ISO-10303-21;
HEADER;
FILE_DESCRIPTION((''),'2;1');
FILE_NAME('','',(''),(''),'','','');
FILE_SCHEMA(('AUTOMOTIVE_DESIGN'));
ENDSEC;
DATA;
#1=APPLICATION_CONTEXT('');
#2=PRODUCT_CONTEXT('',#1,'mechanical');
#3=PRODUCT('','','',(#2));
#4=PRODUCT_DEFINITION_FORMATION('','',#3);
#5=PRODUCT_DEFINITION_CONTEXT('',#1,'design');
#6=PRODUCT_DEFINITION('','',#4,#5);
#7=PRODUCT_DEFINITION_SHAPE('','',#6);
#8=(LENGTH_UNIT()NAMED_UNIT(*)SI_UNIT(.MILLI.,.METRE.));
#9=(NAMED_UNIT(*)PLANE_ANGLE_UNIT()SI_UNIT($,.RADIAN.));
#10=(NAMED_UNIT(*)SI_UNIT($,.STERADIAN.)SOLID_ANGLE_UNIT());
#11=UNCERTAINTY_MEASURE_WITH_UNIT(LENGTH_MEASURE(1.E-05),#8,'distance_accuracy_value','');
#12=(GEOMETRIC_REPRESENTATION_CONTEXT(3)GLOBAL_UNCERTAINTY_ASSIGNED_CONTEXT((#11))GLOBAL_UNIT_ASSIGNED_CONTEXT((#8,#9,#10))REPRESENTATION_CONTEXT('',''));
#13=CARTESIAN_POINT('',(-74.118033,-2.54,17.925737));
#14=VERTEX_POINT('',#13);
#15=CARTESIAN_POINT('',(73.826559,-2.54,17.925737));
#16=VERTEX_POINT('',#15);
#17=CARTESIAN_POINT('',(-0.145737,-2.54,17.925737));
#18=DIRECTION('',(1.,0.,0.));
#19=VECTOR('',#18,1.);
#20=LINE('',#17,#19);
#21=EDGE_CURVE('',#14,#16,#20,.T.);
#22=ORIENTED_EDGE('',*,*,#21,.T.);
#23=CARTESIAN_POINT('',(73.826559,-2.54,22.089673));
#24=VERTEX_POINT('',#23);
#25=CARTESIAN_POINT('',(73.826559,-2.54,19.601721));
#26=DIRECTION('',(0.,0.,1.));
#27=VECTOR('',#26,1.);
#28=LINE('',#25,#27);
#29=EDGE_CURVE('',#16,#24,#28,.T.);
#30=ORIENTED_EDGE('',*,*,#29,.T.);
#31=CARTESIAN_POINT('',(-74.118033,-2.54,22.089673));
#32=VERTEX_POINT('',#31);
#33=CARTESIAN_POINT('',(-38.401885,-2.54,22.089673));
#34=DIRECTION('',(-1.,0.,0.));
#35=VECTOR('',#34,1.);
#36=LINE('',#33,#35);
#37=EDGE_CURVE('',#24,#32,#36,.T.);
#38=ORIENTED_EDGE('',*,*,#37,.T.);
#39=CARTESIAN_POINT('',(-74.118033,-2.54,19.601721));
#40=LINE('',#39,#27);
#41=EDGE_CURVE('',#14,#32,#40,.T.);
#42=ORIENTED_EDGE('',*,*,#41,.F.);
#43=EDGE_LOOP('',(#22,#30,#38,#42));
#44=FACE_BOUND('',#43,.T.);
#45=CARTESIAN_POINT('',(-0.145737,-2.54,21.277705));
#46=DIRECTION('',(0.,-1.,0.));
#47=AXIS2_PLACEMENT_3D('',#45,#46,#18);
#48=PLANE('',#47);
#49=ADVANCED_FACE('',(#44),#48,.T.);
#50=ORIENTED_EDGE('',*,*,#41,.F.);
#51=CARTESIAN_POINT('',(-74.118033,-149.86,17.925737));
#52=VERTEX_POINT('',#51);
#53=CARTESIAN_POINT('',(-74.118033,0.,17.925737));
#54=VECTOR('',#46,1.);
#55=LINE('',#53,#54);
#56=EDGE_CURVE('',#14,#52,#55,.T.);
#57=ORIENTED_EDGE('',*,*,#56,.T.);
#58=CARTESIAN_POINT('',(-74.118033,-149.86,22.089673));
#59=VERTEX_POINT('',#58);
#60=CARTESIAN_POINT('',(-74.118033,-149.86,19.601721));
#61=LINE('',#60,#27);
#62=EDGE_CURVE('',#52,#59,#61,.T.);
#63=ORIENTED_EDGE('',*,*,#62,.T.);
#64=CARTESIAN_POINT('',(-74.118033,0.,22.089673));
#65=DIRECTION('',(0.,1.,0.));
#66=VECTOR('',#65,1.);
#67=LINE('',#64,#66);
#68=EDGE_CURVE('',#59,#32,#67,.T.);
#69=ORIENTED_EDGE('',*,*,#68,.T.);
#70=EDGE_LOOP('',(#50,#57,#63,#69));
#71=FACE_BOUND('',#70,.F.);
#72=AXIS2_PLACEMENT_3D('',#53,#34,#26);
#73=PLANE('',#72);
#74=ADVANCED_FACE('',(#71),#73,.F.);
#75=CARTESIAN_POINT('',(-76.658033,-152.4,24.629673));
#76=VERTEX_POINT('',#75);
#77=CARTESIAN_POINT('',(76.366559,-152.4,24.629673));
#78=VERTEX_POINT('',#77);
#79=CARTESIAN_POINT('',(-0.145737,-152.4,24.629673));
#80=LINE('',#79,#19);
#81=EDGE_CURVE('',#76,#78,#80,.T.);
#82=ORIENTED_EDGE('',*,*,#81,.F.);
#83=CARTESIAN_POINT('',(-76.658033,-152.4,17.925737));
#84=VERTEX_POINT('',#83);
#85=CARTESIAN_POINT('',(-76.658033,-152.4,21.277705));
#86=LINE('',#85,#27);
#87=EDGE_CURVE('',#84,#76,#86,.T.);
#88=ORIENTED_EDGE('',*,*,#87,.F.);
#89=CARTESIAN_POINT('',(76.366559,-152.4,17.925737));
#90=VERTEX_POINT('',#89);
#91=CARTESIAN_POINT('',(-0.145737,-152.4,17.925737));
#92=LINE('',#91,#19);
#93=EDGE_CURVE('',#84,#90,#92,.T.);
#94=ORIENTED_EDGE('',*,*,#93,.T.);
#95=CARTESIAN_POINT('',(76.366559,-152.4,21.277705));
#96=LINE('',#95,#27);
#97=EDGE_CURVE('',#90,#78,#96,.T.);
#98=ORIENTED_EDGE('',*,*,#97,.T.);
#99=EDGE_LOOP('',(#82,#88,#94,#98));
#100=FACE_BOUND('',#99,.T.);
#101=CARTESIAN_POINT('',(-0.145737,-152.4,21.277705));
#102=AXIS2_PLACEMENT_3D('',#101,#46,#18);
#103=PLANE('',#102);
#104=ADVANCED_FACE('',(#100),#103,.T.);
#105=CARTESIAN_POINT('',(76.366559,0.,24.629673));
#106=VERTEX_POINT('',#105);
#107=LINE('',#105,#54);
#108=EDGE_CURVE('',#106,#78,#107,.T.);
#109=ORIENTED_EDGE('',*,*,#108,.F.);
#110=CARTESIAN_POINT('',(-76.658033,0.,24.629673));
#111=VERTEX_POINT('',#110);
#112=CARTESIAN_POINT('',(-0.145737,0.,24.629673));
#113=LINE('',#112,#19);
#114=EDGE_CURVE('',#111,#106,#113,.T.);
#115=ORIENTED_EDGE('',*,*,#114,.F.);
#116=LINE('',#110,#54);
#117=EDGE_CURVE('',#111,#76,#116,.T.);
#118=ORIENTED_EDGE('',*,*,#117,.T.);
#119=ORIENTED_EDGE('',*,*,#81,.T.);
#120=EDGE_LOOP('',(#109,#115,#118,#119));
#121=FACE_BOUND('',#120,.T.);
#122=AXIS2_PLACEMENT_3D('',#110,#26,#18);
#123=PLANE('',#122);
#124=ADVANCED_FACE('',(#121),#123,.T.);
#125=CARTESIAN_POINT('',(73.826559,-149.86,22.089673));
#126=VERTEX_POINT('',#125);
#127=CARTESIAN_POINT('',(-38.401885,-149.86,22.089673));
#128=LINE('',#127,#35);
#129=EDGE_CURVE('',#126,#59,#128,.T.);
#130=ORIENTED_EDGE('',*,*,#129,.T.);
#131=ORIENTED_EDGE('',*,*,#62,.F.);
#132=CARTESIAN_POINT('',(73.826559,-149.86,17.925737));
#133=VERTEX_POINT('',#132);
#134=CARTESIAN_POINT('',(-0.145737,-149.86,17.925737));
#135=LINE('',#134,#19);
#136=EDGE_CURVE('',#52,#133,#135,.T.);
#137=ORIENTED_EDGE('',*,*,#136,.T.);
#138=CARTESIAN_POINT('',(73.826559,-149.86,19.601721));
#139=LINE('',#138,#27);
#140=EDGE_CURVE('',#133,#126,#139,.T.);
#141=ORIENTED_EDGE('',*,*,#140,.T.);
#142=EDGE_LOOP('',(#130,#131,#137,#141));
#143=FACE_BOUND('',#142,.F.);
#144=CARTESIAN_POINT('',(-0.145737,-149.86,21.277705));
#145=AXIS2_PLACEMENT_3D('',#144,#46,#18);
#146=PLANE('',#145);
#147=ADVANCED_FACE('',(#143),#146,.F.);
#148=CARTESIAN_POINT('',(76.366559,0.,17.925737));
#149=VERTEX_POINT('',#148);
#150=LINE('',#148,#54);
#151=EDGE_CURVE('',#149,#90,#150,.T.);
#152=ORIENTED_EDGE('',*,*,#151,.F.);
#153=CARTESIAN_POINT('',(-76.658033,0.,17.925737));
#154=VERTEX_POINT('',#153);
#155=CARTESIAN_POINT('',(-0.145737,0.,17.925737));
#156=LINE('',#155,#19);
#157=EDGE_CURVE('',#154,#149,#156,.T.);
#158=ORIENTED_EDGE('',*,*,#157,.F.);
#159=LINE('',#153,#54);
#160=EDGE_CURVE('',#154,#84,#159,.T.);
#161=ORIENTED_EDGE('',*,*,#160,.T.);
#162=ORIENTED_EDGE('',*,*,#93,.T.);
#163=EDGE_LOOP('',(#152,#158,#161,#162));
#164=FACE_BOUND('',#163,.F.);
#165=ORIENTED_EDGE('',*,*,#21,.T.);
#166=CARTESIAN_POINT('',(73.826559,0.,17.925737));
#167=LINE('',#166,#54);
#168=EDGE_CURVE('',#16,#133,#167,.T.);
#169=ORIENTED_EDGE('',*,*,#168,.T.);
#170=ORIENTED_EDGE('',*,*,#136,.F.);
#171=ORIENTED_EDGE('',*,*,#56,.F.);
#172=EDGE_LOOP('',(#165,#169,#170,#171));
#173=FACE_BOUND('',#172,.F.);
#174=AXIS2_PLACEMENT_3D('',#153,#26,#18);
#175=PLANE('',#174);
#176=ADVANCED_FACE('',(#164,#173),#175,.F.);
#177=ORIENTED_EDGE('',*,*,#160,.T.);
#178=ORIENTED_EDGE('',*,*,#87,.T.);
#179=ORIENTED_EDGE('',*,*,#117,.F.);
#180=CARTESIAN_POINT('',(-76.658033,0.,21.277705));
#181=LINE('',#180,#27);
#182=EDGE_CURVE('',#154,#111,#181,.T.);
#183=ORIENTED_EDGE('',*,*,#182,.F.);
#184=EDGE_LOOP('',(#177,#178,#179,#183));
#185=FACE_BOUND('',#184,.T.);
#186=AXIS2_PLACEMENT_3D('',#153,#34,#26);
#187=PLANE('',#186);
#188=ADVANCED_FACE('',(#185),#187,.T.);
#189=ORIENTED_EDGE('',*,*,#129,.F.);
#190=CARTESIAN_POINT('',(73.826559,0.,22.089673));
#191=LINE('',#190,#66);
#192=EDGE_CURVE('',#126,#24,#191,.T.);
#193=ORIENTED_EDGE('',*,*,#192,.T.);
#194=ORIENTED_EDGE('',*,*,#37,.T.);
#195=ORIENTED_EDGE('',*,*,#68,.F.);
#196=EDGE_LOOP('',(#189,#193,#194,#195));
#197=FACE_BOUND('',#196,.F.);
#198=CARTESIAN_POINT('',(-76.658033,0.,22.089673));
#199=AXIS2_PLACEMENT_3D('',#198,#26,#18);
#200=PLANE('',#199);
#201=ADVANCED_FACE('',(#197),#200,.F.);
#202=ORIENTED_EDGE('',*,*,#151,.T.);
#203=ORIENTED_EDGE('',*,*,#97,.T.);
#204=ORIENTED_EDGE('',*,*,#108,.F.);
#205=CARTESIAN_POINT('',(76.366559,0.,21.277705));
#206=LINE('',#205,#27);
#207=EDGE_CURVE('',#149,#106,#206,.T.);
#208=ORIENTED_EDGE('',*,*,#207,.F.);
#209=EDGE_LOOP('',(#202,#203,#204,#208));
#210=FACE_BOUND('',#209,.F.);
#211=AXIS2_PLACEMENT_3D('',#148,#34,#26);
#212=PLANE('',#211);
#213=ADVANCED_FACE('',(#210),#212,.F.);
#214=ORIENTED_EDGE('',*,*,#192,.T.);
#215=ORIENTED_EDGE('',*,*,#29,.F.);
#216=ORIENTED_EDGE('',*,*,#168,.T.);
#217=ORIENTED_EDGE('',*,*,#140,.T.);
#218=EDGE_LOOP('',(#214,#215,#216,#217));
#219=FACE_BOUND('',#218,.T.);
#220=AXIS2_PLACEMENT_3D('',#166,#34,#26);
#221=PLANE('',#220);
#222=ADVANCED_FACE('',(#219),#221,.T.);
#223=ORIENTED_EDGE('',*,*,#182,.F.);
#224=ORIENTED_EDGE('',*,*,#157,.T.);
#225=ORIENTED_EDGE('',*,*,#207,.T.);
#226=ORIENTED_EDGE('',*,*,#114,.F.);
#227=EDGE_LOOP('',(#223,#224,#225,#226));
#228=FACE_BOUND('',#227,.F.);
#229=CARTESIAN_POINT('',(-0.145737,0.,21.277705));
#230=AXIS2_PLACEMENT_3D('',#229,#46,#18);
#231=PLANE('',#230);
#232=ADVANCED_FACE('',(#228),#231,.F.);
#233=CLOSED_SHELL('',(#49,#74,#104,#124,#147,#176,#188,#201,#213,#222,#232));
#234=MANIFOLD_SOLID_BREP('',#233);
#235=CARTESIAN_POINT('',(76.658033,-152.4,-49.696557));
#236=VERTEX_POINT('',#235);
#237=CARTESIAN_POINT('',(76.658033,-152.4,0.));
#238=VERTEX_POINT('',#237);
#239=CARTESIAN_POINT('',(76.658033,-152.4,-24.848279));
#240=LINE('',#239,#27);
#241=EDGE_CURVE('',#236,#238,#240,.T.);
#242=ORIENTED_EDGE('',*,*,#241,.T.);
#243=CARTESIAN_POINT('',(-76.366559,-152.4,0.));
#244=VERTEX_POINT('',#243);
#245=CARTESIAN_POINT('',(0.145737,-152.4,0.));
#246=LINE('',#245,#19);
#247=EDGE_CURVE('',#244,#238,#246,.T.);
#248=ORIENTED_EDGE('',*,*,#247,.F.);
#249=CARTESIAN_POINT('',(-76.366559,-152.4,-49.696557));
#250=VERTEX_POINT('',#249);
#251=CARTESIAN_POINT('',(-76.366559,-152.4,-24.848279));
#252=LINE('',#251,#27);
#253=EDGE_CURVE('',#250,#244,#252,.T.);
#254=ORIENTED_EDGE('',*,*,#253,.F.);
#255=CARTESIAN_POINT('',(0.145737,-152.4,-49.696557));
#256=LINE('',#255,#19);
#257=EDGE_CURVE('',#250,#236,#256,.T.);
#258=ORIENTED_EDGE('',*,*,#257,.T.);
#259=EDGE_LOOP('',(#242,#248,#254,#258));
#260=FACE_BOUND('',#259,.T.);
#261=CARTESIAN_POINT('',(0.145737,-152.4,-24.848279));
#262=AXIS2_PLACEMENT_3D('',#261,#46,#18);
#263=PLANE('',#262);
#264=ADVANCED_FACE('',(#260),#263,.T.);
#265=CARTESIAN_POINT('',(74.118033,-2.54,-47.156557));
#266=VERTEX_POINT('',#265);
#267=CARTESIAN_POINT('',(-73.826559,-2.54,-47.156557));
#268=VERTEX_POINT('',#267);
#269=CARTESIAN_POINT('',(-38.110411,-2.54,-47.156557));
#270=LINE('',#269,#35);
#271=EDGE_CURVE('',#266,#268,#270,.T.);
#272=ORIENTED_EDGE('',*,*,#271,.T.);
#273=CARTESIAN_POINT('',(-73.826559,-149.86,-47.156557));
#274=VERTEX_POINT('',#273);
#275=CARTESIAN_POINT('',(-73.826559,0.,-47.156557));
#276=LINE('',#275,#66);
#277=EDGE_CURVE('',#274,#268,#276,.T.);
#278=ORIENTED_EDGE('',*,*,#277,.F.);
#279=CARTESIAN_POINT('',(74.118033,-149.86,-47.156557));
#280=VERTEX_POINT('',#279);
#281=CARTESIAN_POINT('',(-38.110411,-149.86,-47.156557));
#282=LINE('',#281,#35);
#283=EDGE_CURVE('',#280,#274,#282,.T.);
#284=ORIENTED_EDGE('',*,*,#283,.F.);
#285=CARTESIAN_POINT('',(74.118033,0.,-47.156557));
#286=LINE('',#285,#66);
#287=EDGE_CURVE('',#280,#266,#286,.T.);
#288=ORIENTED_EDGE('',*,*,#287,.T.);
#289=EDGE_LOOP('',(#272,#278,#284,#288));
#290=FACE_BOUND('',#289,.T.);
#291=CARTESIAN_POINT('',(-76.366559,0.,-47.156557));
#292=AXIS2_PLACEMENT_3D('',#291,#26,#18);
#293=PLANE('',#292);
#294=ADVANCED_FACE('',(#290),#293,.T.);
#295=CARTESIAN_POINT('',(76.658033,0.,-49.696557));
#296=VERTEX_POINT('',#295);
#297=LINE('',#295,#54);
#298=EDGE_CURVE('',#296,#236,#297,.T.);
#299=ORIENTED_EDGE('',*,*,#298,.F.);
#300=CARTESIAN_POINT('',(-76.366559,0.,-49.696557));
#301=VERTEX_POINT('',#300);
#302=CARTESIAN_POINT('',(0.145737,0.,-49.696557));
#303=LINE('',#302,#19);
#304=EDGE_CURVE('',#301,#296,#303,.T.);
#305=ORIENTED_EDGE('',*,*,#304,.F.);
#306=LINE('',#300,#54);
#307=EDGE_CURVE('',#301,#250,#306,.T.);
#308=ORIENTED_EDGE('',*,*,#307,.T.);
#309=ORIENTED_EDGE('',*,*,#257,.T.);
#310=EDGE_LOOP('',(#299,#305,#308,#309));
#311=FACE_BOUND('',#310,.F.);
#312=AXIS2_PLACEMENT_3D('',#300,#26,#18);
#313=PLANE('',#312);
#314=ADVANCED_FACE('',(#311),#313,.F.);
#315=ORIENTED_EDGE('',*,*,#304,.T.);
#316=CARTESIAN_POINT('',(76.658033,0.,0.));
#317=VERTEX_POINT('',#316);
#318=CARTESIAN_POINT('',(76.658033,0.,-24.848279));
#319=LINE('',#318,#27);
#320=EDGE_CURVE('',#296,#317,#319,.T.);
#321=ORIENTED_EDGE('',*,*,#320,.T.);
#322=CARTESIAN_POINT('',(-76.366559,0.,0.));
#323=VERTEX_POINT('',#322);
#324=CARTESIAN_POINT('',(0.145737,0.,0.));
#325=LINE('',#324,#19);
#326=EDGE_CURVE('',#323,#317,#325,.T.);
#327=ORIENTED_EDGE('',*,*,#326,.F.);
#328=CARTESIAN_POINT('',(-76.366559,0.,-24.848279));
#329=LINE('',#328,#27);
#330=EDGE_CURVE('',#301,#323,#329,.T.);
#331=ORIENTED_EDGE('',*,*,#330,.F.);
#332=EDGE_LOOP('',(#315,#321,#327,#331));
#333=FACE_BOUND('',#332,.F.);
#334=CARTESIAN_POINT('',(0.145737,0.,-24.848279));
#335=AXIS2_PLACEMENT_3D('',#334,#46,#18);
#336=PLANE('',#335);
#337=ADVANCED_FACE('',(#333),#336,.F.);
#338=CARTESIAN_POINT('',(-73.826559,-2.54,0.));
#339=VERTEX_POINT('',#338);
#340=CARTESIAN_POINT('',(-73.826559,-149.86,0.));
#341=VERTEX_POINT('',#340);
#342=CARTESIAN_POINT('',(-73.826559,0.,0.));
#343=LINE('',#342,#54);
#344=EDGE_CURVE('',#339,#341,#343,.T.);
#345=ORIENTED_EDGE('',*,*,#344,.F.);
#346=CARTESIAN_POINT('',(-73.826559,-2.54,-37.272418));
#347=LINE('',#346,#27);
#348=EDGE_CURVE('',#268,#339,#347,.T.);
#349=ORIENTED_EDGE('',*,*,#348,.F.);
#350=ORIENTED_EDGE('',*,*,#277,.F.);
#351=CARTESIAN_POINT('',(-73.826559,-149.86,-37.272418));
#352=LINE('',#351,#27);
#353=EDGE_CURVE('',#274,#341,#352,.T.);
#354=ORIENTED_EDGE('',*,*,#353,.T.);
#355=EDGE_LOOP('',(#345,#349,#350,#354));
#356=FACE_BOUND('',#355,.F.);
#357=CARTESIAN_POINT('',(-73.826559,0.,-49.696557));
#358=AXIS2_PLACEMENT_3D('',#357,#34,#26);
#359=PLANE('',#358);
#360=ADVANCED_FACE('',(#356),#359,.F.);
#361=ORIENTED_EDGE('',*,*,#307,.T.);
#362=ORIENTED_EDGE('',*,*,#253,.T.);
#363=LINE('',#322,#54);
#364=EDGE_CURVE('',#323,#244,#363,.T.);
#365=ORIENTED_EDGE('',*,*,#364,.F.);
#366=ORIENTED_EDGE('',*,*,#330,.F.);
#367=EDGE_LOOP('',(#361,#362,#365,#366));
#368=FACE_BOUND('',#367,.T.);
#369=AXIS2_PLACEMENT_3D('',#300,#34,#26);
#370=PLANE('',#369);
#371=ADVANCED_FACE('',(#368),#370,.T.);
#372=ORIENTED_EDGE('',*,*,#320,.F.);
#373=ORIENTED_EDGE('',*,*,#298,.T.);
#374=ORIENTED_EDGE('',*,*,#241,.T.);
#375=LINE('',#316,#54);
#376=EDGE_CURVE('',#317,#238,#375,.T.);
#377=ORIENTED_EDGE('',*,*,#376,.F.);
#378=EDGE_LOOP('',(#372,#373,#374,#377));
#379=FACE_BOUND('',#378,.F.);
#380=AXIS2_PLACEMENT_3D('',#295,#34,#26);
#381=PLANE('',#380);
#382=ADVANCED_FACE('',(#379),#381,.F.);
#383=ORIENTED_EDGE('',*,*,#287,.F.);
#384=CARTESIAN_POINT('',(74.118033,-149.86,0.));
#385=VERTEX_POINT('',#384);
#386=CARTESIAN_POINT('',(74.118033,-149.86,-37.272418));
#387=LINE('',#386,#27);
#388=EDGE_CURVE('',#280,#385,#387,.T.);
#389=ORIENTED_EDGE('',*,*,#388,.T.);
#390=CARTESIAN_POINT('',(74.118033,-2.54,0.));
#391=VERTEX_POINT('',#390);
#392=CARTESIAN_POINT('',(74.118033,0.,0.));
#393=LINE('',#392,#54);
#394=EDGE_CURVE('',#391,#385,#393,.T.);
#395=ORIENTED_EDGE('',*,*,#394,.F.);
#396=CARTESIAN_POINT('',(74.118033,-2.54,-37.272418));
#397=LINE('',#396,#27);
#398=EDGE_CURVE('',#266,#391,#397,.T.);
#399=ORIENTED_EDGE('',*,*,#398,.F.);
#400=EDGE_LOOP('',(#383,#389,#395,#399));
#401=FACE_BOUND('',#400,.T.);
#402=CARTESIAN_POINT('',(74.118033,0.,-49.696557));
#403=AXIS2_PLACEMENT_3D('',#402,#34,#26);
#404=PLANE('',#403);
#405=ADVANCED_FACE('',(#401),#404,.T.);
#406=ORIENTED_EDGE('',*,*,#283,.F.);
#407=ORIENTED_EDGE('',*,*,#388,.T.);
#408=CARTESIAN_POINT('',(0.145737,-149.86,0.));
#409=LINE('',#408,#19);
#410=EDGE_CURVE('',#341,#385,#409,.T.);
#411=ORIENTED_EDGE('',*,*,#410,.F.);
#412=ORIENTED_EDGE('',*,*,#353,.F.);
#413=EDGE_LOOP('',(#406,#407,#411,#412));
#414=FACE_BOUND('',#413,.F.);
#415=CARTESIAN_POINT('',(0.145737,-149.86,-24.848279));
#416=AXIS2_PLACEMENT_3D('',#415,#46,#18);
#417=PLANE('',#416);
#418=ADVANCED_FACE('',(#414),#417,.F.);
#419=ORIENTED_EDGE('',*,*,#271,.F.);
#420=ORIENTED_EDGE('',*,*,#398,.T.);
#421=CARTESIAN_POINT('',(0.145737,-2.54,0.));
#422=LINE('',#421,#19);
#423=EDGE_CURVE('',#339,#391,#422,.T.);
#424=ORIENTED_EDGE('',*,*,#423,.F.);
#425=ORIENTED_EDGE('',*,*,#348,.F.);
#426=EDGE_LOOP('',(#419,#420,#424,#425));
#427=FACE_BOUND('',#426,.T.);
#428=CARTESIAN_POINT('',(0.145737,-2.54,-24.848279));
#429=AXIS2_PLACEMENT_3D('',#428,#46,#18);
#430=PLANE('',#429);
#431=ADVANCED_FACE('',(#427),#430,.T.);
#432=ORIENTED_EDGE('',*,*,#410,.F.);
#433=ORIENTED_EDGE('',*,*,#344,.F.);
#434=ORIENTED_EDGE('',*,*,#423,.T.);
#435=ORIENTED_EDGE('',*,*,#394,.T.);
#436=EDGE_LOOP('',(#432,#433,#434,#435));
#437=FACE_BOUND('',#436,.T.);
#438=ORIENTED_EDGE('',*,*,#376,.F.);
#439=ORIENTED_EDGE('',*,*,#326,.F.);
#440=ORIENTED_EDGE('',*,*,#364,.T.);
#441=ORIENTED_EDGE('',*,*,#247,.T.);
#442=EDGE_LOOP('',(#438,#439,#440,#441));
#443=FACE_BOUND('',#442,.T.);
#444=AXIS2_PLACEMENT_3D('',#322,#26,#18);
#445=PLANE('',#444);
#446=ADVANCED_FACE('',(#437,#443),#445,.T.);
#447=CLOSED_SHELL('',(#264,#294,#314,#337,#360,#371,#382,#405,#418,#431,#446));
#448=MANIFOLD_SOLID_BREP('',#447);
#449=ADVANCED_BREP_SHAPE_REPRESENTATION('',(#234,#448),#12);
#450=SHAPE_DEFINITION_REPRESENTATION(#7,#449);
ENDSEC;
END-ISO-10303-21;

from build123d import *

# Parameters (mm, degrees)
F0_W     = 153.0245915055
F0_H     = 6.7039355636
F1_DEPTH = 152.4
F0_H_2   = 49.6965572238
F2_T     = -2.54
F3_T     = -2.54


with BuildPart() as f1:
    # F0 (on Front) → F1 (new body)
    with BuildSketch(Plane.XZ):
        with Locations((-0.1457370818, 21.2777052075)):
            Rectangle(F0_W, F0_H)
    extrude(amount=F1_DEPTH)

    # F2
    f2_openings = [f1.faces().sort_by_distance(p)[0] for p in [
        (-0.145737, -76.2, 17.925737),
    ]]
    offset(amount=F2_T, openings=f2_openings)


with BuildPart() as f1b:
    # F0 (on Front) → F1, piece 2 (new body)
    with BuildSketch(Plane.XZ):
        with Locations((0.1457370818, -24.8482786119)):
            Rectangle(F0_W, F0_H_2)
    extrude(amount=F1_DEPTH)

    # F3
    f3_openings = [f1b.faces().sort_by_distance(p)[0] for p in [
        (0.145737, -76.2, 0),
    ]]
    offset(amount=F3_T, openings=f3_openings)


solid = Compound([f1.part, f1b.part])
